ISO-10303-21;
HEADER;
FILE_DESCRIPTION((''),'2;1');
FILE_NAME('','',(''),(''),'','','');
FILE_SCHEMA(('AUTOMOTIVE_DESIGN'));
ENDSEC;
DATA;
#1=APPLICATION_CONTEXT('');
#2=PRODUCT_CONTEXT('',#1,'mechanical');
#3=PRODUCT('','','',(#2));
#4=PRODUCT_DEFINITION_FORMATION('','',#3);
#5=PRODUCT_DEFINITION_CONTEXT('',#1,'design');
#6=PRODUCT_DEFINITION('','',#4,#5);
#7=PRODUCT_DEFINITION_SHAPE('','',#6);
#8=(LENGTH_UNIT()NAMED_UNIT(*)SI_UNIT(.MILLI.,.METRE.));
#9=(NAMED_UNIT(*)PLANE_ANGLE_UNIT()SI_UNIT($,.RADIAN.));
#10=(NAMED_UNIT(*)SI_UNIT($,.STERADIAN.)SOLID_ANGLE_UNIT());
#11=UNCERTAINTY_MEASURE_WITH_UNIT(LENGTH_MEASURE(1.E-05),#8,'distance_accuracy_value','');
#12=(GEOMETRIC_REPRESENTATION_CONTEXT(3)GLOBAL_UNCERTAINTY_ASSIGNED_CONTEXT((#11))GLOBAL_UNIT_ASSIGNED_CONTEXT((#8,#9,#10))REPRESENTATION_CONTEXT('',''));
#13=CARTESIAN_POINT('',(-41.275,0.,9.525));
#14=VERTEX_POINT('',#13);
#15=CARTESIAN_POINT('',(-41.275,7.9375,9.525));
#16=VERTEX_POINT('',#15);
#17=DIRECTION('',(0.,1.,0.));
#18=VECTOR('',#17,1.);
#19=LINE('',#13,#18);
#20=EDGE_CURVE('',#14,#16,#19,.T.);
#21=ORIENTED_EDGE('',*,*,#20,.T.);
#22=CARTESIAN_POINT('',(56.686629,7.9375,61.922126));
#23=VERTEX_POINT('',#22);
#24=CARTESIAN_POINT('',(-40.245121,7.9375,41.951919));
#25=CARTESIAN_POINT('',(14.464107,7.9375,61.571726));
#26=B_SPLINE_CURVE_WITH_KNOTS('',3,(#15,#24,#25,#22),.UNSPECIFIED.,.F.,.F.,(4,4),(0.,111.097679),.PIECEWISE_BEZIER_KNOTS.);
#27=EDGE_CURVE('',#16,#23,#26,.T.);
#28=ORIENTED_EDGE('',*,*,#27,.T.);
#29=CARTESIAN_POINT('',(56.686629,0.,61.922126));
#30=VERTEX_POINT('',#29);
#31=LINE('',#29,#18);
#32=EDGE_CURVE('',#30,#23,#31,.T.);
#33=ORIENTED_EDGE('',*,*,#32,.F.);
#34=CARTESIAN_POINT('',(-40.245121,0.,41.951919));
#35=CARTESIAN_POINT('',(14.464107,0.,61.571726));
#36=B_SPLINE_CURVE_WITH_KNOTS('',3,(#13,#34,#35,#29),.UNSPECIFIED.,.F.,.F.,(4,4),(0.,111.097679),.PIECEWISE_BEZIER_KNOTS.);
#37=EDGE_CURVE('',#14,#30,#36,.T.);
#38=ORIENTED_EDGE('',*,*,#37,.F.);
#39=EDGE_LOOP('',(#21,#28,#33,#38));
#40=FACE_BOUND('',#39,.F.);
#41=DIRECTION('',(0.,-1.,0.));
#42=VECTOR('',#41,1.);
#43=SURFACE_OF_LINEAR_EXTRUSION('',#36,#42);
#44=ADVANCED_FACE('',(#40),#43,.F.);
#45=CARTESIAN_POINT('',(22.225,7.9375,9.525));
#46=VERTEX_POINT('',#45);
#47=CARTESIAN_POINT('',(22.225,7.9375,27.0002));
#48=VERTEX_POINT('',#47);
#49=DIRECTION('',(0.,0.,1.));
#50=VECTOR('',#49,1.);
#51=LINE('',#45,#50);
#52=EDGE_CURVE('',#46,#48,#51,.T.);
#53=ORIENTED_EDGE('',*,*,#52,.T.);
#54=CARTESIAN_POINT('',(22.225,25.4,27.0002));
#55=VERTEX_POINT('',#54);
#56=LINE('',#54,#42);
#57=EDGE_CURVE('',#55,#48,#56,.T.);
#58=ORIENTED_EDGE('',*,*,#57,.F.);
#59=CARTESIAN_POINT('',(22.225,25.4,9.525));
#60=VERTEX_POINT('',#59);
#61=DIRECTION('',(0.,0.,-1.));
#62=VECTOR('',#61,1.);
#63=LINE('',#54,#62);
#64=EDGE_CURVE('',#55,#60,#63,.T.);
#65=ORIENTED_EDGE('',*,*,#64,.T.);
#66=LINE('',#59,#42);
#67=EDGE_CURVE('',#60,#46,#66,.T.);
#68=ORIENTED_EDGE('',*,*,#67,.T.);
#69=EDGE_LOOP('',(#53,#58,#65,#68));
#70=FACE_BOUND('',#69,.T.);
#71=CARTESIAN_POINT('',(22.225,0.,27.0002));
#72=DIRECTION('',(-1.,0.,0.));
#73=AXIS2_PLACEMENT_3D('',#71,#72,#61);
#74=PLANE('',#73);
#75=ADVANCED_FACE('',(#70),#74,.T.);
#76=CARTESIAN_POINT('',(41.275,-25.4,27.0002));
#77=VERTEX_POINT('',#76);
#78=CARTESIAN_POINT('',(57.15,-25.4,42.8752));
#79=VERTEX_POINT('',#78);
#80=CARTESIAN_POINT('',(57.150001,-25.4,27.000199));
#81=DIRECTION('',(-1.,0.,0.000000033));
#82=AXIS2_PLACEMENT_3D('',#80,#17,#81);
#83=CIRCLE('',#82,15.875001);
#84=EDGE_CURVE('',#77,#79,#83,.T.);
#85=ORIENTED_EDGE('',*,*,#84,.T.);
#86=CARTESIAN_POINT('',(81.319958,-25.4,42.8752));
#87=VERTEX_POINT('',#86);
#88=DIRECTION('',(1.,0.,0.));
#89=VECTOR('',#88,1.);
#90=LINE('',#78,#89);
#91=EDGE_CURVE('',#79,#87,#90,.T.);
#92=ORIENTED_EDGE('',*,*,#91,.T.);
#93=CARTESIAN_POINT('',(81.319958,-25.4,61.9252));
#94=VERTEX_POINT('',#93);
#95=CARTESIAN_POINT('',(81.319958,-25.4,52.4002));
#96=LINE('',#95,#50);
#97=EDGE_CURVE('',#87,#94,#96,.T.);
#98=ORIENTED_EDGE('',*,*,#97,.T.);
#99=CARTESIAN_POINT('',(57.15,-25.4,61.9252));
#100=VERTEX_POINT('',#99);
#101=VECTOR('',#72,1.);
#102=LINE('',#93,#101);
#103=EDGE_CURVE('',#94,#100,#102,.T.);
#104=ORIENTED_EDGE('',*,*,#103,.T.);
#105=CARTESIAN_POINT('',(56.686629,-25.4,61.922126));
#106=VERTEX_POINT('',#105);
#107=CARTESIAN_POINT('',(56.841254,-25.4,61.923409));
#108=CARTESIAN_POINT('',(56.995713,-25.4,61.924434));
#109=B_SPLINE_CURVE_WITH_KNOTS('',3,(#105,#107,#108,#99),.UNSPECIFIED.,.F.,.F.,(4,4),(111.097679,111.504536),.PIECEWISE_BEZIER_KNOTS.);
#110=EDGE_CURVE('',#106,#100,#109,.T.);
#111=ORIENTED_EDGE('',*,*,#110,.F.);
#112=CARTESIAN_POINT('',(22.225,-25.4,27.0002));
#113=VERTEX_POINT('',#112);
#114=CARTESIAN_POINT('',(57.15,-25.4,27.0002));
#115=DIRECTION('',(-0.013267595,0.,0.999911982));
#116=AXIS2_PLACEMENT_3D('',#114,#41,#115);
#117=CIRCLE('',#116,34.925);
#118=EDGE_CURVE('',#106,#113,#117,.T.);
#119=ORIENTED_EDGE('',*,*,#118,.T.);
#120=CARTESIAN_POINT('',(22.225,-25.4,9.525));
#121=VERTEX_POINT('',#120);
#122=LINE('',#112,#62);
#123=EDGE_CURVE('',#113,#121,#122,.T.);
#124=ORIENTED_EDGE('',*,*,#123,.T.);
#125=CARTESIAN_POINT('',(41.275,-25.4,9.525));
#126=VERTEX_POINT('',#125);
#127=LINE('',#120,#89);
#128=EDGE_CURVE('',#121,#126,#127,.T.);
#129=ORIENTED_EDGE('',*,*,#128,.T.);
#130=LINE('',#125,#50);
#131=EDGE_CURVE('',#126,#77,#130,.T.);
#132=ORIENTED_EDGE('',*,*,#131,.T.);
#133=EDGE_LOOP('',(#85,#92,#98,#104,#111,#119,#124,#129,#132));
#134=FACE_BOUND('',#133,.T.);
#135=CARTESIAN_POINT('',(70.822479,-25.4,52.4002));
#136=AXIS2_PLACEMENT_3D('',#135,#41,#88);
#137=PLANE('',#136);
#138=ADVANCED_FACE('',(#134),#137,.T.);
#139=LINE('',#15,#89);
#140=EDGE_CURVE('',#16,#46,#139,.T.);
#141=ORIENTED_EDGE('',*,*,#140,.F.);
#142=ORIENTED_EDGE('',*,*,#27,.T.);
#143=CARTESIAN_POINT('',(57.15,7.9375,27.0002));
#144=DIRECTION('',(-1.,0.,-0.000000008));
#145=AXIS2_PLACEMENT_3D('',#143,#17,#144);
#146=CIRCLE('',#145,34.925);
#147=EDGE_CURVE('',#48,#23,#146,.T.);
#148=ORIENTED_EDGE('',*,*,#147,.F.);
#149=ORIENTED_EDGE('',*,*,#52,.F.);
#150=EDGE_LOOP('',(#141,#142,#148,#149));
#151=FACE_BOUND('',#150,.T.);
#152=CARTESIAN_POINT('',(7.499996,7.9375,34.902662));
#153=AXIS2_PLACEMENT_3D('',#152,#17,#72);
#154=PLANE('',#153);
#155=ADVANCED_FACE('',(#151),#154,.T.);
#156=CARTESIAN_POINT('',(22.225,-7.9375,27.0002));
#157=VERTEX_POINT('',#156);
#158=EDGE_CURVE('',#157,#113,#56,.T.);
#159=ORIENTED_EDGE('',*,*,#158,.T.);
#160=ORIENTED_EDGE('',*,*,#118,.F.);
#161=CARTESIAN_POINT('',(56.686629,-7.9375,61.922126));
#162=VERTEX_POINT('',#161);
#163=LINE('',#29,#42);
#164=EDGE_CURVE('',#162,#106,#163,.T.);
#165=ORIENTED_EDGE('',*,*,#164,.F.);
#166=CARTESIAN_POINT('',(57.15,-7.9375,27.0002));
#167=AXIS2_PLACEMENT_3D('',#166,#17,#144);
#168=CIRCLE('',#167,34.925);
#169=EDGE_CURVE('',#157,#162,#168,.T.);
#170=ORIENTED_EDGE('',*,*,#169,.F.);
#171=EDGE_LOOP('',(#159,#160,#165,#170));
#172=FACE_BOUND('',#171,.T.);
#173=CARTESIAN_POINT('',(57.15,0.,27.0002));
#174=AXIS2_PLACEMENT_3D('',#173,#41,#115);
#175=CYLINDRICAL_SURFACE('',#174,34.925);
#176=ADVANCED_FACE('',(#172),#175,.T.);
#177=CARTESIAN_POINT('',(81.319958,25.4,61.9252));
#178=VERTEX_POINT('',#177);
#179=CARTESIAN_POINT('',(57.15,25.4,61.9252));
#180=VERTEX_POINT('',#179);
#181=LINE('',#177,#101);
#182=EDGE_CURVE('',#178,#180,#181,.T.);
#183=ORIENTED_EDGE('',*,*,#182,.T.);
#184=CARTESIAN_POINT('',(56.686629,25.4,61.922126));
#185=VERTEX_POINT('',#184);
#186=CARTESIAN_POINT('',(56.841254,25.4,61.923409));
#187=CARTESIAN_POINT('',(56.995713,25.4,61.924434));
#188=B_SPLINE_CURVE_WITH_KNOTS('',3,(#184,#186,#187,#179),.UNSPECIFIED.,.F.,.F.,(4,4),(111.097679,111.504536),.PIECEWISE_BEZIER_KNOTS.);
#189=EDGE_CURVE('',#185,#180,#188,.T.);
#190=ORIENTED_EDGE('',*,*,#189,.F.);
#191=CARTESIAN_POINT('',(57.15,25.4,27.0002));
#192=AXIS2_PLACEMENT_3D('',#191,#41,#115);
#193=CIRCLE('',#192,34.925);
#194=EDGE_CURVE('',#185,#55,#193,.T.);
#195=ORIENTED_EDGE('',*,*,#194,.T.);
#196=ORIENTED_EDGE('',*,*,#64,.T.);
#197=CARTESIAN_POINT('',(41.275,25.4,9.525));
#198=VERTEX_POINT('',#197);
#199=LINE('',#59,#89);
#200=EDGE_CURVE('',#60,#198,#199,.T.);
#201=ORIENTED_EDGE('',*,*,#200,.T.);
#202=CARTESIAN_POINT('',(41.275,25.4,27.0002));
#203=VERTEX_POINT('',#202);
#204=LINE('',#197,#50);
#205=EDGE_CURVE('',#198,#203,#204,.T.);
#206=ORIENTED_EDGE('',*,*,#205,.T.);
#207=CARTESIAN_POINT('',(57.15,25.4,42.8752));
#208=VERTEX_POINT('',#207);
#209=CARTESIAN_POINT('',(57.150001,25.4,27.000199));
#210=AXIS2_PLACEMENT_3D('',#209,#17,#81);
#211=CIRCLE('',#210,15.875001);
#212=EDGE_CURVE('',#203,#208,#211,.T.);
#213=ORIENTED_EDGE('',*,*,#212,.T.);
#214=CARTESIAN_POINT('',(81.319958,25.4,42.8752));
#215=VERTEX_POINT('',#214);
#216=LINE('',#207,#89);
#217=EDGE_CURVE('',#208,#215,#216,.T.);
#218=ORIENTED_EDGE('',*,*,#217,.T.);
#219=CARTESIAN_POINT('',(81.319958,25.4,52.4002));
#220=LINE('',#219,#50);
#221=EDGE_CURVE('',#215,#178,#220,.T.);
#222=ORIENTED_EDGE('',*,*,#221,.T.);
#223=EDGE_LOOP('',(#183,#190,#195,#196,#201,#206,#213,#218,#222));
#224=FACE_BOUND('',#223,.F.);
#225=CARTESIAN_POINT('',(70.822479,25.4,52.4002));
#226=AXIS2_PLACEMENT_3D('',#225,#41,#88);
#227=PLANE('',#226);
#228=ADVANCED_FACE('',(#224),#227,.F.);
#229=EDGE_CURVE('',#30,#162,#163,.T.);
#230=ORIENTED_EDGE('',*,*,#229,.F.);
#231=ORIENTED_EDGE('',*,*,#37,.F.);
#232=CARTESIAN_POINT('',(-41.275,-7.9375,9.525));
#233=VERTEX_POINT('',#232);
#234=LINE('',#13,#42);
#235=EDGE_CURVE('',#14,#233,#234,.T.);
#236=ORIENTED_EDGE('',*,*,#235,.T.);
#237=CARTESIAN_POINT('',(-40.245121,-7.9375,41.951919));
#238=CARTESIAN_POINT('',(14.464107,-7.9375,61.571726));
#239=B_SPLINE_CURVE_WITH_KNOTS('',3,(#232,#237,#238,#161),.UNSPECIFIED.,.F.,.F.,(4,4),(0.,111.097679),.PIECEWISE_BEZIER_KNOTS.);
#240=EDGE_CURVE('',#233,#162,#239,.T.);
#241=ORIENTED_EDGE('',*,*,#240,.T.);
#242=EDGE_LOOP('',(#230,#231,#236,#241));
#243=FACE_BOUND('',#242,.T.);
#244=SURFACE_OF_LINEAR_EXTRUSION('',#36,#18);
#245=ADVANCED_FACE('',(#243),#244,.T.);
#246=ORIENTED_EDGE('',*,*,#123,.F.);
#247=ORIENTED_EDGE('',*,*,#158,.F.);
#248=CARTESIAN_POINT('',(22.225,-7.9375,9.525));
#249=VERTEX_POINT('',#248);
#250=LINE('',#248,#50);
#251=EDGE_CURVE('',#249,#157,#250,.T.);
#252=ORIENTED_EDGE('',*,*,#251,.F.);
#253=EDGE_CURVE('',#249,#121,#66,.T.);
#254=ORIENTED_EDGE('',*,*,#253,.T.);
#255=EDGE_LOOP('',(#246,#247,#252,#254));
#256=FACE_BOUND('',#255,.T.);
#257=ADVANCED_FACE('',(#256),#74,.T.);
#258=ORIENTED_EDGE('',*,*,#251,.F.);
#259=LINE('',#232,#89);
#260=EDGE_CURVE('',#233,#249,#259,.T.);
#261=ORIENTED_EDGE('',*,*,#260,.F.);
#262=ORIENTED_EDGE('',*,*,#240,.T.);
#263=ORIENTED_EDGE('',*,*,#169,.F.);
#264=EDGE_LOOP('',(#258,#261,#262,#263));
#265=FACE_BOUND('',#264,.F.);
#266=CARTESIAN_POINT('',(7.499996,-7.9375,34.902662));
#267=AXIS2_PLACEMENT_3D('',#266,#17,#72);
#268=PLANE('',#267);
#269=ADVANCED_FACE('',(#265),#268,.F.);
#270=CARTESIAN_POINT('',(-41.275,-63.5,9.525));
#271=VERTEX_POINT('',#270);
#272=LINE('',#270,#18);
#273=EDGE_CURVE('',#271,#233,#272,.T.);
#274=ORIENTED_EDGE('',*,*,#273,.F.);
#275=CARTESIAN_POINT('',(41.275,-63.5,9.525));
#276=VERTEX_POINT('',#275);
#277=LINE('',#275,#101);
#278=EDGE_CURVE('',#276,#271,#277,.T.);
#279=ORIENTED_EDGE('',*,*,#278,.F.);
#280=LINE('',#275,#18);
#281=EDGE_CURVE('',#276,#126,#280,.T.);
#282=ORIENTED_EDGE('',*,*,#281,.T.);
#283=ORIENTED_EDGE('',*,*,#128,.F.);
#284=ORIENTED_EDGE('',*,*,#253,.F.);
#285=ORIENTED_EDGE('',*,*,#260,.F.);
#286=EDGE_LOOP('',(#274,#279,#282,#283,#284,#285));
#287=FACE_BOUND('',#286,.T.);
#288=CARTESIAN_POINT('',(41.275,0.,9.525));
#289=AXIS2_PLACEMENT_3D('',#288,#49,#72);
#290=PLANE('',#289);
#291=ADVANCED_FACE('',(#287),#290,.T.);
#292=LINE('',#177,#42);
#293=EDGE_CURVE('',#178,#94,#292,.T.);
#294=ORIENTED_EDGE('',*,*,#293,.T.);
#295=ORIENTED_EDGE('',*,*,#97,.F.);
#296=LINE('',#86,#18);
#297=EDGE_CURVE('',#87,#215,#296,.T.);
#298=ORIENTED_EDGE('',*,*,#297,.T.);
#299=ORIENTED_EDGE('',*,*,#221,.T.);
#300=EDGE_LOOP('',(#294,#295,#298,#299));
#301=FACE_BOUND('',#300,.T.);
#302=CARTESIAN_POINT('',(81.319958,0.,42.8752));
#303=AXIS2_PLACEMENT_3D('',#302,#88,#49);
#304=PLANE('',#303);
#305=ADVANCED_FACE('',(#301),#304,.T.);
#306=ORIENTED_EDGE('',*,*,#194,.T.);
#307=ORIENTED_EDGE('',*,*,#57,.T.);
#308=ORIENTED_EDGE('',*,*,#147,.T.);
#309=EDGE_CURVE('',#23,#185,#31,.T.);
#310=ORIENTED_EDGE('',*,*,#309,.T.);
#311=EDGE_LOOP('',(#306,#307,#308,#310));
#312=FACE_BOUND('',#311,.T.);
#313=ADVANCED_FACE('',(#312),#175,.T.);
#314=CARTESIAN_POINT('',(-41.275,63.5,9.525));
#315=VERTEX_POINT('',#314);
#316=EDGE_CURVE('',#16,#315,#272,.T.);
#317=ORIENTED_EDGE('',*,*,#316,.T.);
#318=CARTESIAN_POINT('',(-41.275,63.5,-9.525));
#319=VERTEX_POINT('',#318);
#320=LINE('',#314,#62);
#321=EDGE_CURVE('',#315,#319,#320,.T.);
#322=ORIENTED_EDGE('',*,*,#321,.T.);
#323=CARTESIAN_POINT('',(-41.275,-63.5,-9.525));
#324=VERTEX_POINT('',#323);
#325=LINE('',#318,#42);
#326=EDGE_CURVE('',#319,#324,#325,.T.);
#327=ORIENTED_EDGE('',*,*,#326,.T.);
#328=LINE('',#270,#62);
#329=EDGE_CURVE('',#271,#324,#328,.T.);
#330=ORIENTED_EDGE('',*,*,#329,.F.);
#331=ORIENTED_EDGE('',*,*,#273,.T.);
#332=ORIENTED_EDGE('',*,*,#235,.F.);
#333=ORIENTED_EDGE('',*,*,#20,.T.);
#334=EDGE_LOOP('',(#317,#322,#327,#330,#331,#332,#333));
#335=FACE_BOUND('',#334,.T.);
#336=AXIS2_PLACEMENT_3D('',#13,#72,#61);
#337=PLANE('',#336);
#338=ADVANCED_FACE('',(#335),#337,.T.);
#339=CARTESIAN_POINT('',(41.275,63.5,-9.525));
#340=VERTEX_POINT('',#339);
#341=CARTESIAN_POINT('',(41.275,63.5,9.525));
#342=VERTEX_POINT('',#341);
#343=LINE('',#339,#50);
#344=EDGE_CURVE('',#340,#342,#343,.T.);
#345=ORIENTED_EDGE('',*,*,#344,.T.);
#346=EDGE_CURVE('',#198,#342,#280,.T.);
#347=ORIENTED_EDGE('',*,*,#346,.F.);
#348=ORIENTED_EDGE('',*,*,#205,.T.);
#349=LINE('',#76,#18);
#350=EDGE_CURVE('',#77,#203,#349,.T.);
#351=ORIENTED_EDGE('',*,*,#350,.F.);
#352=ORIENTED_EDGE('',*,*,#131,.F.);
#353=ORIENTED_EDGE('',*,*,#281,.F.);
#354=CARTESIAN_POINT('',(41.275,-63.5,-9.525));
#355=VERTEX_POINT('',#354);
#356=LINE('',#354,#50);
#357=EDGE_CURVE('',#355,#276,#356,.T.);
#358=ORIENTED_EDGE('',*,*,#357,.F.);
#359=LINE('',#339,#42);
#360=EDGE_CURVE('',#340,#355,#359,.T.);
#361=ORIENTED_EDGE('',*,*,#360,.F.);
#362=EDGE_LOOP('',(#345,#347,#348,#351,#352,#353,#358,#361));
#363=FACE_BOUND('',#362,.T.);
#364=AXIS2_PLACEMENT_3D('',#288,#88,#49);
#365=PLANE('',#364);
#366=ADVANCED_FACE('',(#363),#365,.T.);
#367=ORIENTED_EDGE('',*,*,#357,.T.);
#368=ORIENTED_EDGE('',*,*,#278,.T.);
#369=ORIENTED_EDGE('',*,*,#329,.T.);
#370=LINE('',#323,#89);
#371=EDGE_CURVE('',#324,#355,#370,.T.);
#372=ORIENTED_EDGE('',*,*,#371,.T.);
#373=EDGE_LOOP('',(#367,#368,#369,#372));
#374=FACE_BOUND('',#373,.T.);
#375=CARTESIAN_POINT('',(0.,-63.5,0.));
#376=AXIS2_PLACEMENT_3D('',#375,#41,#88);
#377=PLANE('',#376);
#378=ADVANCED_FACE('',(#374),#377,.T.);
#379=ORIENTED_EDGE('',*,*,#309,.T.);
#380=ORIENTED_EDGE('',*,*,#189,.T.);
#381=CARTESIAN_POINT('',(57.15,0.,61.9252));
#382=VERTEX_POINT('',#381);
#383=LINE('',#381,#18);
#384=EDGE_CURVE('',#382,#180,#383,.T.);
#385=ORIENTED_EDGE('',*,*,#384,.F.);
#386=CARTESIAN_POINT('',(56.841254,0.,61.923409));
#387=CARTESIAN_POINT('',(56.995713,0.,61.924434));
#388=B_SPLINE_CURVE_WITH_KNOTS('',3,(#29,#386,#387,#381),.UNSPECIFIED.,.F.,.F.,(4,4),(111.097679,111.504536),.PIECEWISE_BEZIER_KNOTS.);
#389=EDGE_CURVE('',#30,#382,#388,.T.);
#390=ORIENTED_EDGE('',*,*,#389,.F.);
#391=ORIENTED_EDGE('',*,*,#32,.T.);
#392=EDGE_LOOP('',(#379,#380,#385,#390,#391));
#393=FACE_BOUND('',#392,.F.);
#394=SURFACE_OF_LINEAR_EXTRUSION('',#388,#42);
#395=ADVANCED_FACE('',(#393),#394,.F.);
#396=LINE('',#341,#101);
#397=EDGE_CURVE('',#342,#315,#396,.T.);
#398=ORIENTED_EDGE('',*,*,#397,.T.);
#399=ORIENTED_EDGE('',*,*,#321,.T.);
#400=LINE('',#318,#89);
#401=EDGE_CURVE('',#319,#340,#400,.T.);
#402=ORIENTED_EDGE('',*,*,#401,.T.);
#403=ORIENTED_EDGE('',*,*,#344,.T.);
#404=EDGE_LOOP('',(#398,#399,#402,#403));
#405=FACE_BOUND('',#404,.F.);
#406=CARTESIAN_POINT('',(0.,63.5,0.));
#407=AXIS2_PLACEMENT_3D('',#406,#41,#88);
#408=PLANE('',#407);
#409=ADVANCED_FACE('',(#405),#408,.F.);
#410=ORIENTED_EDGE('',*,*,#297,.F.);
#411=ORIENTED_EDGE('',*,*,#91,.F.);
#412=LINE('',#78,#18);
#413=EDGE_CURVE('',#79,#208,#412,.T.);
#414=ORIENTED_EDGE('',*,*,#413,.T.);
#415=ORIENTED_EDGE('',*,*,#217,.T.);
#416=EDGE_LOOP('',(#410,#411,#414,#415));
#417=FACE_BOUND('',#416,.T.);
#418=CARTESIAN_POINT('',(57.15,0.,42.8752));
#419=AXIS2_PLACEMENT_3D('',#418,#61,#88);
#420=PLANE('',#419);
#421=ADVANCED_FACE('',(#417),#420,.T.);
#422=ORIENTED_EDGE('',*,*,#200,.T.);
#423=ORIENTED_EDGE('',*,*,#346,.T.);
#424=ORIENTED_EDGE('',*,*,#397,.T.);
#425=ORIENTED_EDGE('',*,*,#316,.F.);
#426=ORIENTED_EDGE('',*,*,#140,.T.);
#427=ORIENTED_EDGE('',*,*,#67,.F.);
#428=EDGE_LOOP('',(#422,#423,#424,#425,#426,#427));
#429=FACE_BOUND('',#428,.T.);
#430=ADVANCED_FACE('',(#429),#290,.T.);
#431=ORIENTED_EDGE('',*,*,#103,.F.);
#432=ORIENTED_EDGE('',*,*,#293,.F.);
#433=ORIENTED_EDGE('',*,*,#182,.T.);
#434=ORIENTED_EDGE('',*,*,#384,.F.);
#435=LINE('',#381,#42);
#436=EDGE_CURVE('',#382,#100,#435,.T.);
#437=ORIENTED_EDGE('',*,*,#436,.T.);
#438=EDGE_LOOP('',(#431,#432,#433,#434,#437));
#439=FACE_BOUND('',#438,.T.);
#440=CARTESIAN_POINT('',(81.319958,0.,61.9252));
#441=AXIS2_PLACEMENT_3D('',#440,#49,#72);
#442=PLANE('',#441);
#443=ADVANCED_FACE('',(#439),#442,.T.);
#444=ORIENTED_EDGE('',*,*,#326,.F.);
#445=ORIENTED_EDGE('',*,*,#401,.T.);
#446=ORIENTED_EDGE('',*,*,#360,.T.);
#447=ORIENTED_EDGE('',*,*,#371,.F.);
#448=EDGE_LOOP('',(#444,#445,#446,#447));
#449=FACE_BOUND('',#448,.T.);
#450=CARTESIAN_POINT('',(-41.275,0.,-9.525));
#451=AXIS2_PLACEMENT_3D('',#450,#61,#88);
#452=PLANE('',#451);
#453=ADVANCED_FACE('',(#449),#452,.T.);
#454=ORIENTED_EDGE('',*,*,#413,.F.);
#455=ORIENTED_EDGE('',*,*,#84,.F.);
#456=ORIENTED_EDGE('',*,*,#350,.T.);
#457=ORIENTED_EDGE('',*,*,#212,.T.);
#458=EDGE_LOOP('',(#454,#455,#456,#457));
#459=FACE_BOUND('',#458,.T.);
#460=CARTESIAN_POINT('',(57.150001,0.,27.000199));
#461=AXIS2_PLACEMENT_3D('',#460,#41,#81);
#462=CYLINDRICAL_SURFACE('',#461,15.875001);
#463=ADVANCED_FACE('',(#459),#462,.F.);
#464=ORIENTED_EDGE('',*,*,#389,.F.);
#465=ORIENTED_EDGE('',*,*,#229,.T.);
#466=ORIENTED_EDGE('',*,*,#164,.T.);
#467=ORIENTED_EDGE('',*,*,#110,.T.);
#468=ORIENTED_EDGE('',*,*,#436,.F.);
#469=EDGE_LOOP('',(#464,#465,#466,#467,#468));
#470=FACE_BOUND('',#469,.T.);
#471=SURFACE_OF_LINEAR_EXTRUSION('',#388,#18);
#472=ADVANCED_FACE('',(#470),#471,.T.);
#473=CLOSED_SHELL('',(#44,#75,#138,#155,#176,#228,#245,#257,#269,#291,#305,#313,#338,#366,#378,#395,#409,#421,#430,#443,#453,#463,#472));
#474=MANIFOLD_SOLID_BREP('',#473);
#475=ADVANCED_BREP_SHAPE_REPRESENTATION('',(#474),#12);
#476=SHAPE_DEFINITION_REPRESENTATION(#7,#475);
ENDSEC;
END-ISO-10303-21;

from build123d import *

# Parameters (mm, degrees)
F1_DEPTH = 63.5
F2_DEPTH = 7.9375
F0_W     = 20.994958
F0_H     = 19.05
F3_DEPTH = 25.4


with BuildPart() as f1:
    # F0 (on Front) → F1 (new body, symmetric)
    with BuildSketch(Plane.XZ):
        Polygon((22.225, 9.525), (-41.275, 9.525), (-41.275, -9.525), (41.275, -9.525), (41.275, 9.525), align=None)
    extrude(amount=F1_DEPTH, both=True)

    # F0 (on Front) → F2 (join, symmetric)
    with BuildSketch(Plane.XZ):
        with BuildLine():
            add(Edge.make_bspline(
                [(-41.275, 9.525), (-40.245121, 41.951919), (14.464107, 61.571726), (56.686629, 61.922126)],
                knots=[0, 0, 0, 0, 111.097679, 111.097679, 111.097679, 111.097679], degree=3))
            Line((-41.275, 9.525), (22.225, 9.525))
            Line((22.225, 9.525), (22.225, 27.0002))
            ThreePointArc((22.225, 27.0002), (32.291009, 51.531531), (56.686629, 61.922126))
        make_face()
    extrude(amount=F2_DEPTH, both=True)

    # F0 (on Front) → F3 (join, symmetric)
    with BuildSketch(Plane.XZ):
        with Locations((70.822479, 52.4002)):
            Rectangle(F0_W, F0_H)
        with BuildLine():
            Line((22.225, 27.0002), (22.225, 9.525))
            Line((22.225, 9.525), (41.275, 9.525))
            Line((41.275, 9.525), (41.275, 27.0002))
            ThreePointArc((41.275, 27.0002), (45.92468, 38.22552), (57.15, 42.8752))
            Line((57.15, 42.8752), (60.325, 42.8752))
            Line((60.325, 42.8752), (60.325, 61.9252))
            Line((60.325, 61.9252), (57.15, 61.9252))
            add(Edge.make_bspline(
                [(56.686629, 61.922126), (56.841254, 61.923409), (56.995713, 61.924434), (57.15, 61.9252)],
                knots=[111.097679, 111.097679, 111.097679, 111.097679, 111.504536, 111.504536, 111.504536, 111.504536], degree=3))
            ThreePointArc((56.686629, 61.922126), (32.291009, 51.531531), (22.225, 27.0002))
        make_face()
    extrude(amount=F3_DEPTH, both=True)


solid = f1.part
